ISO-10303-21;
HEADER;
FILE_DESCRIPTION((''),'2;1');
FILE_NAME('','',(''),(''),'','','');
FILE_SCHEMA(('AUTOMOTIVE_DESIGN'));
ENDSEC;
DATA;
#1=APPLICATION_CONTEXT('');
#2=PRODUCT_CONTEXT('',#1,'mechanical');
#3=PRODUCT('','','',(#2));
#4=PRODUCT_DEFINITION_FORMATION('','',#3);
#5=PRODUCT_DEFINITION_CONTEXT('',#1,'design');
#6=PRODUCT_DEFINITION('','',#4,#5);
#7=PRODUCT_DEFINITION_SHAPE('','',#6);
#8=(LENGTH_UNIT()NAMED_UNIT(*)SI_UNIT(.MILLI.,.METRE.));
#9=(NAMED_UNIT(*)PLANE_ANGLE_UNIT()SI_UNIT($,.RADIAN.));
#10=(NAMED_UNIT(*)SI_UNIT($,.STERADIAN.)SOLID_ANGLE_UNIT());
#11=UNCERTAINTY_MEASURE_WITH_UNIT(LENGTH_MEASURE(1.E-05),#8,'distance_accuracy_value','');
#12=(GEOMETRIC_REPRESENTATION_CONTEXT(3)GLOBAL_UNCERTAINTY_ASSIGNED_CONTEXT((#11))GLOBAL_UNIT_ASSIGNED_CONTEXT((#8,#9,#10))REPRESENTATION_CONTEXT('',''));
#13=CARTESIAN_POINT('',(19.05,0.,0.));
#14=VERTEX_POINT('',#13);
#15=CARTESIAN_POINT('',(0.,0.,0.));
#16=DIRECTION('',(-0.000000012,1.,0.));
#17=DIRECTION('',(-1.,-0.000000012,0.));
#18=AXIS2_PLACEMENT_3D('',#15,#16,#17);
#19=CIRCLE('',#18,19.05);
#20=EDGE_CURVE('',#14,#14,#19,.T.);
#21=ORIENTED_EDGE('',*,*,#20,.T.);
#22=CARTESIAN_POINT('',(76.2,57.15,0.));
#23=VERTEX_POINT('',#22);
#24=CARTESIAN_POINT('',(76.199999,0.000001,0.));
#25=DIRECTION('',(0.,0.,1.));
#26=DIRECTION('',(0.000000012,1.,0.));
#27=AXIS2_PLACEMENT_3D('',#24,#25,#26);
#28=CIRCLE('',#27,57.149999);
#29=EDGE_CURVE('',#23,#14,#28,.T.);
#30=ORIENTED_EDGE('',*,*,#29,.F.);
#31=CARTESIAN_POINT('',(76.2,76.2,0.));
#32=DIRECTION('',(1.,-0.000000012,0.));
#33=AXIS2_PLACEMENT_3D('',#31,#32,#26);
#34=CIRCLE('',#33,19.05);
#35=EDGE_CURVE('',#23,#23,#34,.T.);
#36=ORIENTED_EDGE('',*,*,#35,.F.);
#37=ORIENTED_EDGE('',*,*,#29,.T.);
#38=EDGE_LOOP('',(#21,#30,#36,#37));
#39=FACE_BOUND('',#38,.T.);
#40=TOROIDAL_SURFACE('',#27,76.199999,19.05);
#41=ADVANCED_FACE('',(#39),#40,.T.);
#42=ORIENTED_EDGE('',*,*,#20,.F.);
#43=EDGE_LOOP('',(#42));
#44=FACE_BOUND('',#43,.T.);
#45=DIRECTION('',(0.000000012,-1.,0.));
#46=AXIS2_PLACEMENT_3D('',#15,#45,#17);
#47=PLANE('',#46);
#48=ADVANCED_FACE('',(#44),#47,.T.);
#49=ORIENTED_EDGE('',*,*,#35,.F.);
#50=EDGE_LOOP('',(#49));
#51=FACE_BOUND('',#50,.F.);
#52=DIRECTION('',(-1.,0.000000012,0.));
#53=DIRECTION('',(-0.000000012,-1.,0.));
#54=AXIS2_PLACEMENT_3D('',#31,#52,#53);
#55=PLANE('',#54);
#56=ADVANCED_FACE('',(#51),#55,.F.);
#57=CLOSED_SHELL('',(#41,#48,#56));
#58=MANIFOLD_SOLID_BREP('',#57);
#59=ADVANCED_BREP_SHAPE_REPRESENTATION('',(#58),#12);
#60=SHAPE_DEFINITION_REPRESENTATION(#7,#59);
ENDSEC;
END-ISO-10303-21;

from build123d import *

# Parameters (mm, degrees)
F0_R = 19.05


with BuildPart() as f2:
    # F2: sweep along a path in F1
    with BuildLine(Plane.XY) as f2_path:
        ThreePointArc((76.2, 76.2), (22.318463, 53.881537), (0, 0))
    # F0 (on Front) → F2 (sweep)
    with BuildSketch(Plane.XZ):
        Circle(F0_R)
    sweep(path=f2_path.line)


solid = f2.part
